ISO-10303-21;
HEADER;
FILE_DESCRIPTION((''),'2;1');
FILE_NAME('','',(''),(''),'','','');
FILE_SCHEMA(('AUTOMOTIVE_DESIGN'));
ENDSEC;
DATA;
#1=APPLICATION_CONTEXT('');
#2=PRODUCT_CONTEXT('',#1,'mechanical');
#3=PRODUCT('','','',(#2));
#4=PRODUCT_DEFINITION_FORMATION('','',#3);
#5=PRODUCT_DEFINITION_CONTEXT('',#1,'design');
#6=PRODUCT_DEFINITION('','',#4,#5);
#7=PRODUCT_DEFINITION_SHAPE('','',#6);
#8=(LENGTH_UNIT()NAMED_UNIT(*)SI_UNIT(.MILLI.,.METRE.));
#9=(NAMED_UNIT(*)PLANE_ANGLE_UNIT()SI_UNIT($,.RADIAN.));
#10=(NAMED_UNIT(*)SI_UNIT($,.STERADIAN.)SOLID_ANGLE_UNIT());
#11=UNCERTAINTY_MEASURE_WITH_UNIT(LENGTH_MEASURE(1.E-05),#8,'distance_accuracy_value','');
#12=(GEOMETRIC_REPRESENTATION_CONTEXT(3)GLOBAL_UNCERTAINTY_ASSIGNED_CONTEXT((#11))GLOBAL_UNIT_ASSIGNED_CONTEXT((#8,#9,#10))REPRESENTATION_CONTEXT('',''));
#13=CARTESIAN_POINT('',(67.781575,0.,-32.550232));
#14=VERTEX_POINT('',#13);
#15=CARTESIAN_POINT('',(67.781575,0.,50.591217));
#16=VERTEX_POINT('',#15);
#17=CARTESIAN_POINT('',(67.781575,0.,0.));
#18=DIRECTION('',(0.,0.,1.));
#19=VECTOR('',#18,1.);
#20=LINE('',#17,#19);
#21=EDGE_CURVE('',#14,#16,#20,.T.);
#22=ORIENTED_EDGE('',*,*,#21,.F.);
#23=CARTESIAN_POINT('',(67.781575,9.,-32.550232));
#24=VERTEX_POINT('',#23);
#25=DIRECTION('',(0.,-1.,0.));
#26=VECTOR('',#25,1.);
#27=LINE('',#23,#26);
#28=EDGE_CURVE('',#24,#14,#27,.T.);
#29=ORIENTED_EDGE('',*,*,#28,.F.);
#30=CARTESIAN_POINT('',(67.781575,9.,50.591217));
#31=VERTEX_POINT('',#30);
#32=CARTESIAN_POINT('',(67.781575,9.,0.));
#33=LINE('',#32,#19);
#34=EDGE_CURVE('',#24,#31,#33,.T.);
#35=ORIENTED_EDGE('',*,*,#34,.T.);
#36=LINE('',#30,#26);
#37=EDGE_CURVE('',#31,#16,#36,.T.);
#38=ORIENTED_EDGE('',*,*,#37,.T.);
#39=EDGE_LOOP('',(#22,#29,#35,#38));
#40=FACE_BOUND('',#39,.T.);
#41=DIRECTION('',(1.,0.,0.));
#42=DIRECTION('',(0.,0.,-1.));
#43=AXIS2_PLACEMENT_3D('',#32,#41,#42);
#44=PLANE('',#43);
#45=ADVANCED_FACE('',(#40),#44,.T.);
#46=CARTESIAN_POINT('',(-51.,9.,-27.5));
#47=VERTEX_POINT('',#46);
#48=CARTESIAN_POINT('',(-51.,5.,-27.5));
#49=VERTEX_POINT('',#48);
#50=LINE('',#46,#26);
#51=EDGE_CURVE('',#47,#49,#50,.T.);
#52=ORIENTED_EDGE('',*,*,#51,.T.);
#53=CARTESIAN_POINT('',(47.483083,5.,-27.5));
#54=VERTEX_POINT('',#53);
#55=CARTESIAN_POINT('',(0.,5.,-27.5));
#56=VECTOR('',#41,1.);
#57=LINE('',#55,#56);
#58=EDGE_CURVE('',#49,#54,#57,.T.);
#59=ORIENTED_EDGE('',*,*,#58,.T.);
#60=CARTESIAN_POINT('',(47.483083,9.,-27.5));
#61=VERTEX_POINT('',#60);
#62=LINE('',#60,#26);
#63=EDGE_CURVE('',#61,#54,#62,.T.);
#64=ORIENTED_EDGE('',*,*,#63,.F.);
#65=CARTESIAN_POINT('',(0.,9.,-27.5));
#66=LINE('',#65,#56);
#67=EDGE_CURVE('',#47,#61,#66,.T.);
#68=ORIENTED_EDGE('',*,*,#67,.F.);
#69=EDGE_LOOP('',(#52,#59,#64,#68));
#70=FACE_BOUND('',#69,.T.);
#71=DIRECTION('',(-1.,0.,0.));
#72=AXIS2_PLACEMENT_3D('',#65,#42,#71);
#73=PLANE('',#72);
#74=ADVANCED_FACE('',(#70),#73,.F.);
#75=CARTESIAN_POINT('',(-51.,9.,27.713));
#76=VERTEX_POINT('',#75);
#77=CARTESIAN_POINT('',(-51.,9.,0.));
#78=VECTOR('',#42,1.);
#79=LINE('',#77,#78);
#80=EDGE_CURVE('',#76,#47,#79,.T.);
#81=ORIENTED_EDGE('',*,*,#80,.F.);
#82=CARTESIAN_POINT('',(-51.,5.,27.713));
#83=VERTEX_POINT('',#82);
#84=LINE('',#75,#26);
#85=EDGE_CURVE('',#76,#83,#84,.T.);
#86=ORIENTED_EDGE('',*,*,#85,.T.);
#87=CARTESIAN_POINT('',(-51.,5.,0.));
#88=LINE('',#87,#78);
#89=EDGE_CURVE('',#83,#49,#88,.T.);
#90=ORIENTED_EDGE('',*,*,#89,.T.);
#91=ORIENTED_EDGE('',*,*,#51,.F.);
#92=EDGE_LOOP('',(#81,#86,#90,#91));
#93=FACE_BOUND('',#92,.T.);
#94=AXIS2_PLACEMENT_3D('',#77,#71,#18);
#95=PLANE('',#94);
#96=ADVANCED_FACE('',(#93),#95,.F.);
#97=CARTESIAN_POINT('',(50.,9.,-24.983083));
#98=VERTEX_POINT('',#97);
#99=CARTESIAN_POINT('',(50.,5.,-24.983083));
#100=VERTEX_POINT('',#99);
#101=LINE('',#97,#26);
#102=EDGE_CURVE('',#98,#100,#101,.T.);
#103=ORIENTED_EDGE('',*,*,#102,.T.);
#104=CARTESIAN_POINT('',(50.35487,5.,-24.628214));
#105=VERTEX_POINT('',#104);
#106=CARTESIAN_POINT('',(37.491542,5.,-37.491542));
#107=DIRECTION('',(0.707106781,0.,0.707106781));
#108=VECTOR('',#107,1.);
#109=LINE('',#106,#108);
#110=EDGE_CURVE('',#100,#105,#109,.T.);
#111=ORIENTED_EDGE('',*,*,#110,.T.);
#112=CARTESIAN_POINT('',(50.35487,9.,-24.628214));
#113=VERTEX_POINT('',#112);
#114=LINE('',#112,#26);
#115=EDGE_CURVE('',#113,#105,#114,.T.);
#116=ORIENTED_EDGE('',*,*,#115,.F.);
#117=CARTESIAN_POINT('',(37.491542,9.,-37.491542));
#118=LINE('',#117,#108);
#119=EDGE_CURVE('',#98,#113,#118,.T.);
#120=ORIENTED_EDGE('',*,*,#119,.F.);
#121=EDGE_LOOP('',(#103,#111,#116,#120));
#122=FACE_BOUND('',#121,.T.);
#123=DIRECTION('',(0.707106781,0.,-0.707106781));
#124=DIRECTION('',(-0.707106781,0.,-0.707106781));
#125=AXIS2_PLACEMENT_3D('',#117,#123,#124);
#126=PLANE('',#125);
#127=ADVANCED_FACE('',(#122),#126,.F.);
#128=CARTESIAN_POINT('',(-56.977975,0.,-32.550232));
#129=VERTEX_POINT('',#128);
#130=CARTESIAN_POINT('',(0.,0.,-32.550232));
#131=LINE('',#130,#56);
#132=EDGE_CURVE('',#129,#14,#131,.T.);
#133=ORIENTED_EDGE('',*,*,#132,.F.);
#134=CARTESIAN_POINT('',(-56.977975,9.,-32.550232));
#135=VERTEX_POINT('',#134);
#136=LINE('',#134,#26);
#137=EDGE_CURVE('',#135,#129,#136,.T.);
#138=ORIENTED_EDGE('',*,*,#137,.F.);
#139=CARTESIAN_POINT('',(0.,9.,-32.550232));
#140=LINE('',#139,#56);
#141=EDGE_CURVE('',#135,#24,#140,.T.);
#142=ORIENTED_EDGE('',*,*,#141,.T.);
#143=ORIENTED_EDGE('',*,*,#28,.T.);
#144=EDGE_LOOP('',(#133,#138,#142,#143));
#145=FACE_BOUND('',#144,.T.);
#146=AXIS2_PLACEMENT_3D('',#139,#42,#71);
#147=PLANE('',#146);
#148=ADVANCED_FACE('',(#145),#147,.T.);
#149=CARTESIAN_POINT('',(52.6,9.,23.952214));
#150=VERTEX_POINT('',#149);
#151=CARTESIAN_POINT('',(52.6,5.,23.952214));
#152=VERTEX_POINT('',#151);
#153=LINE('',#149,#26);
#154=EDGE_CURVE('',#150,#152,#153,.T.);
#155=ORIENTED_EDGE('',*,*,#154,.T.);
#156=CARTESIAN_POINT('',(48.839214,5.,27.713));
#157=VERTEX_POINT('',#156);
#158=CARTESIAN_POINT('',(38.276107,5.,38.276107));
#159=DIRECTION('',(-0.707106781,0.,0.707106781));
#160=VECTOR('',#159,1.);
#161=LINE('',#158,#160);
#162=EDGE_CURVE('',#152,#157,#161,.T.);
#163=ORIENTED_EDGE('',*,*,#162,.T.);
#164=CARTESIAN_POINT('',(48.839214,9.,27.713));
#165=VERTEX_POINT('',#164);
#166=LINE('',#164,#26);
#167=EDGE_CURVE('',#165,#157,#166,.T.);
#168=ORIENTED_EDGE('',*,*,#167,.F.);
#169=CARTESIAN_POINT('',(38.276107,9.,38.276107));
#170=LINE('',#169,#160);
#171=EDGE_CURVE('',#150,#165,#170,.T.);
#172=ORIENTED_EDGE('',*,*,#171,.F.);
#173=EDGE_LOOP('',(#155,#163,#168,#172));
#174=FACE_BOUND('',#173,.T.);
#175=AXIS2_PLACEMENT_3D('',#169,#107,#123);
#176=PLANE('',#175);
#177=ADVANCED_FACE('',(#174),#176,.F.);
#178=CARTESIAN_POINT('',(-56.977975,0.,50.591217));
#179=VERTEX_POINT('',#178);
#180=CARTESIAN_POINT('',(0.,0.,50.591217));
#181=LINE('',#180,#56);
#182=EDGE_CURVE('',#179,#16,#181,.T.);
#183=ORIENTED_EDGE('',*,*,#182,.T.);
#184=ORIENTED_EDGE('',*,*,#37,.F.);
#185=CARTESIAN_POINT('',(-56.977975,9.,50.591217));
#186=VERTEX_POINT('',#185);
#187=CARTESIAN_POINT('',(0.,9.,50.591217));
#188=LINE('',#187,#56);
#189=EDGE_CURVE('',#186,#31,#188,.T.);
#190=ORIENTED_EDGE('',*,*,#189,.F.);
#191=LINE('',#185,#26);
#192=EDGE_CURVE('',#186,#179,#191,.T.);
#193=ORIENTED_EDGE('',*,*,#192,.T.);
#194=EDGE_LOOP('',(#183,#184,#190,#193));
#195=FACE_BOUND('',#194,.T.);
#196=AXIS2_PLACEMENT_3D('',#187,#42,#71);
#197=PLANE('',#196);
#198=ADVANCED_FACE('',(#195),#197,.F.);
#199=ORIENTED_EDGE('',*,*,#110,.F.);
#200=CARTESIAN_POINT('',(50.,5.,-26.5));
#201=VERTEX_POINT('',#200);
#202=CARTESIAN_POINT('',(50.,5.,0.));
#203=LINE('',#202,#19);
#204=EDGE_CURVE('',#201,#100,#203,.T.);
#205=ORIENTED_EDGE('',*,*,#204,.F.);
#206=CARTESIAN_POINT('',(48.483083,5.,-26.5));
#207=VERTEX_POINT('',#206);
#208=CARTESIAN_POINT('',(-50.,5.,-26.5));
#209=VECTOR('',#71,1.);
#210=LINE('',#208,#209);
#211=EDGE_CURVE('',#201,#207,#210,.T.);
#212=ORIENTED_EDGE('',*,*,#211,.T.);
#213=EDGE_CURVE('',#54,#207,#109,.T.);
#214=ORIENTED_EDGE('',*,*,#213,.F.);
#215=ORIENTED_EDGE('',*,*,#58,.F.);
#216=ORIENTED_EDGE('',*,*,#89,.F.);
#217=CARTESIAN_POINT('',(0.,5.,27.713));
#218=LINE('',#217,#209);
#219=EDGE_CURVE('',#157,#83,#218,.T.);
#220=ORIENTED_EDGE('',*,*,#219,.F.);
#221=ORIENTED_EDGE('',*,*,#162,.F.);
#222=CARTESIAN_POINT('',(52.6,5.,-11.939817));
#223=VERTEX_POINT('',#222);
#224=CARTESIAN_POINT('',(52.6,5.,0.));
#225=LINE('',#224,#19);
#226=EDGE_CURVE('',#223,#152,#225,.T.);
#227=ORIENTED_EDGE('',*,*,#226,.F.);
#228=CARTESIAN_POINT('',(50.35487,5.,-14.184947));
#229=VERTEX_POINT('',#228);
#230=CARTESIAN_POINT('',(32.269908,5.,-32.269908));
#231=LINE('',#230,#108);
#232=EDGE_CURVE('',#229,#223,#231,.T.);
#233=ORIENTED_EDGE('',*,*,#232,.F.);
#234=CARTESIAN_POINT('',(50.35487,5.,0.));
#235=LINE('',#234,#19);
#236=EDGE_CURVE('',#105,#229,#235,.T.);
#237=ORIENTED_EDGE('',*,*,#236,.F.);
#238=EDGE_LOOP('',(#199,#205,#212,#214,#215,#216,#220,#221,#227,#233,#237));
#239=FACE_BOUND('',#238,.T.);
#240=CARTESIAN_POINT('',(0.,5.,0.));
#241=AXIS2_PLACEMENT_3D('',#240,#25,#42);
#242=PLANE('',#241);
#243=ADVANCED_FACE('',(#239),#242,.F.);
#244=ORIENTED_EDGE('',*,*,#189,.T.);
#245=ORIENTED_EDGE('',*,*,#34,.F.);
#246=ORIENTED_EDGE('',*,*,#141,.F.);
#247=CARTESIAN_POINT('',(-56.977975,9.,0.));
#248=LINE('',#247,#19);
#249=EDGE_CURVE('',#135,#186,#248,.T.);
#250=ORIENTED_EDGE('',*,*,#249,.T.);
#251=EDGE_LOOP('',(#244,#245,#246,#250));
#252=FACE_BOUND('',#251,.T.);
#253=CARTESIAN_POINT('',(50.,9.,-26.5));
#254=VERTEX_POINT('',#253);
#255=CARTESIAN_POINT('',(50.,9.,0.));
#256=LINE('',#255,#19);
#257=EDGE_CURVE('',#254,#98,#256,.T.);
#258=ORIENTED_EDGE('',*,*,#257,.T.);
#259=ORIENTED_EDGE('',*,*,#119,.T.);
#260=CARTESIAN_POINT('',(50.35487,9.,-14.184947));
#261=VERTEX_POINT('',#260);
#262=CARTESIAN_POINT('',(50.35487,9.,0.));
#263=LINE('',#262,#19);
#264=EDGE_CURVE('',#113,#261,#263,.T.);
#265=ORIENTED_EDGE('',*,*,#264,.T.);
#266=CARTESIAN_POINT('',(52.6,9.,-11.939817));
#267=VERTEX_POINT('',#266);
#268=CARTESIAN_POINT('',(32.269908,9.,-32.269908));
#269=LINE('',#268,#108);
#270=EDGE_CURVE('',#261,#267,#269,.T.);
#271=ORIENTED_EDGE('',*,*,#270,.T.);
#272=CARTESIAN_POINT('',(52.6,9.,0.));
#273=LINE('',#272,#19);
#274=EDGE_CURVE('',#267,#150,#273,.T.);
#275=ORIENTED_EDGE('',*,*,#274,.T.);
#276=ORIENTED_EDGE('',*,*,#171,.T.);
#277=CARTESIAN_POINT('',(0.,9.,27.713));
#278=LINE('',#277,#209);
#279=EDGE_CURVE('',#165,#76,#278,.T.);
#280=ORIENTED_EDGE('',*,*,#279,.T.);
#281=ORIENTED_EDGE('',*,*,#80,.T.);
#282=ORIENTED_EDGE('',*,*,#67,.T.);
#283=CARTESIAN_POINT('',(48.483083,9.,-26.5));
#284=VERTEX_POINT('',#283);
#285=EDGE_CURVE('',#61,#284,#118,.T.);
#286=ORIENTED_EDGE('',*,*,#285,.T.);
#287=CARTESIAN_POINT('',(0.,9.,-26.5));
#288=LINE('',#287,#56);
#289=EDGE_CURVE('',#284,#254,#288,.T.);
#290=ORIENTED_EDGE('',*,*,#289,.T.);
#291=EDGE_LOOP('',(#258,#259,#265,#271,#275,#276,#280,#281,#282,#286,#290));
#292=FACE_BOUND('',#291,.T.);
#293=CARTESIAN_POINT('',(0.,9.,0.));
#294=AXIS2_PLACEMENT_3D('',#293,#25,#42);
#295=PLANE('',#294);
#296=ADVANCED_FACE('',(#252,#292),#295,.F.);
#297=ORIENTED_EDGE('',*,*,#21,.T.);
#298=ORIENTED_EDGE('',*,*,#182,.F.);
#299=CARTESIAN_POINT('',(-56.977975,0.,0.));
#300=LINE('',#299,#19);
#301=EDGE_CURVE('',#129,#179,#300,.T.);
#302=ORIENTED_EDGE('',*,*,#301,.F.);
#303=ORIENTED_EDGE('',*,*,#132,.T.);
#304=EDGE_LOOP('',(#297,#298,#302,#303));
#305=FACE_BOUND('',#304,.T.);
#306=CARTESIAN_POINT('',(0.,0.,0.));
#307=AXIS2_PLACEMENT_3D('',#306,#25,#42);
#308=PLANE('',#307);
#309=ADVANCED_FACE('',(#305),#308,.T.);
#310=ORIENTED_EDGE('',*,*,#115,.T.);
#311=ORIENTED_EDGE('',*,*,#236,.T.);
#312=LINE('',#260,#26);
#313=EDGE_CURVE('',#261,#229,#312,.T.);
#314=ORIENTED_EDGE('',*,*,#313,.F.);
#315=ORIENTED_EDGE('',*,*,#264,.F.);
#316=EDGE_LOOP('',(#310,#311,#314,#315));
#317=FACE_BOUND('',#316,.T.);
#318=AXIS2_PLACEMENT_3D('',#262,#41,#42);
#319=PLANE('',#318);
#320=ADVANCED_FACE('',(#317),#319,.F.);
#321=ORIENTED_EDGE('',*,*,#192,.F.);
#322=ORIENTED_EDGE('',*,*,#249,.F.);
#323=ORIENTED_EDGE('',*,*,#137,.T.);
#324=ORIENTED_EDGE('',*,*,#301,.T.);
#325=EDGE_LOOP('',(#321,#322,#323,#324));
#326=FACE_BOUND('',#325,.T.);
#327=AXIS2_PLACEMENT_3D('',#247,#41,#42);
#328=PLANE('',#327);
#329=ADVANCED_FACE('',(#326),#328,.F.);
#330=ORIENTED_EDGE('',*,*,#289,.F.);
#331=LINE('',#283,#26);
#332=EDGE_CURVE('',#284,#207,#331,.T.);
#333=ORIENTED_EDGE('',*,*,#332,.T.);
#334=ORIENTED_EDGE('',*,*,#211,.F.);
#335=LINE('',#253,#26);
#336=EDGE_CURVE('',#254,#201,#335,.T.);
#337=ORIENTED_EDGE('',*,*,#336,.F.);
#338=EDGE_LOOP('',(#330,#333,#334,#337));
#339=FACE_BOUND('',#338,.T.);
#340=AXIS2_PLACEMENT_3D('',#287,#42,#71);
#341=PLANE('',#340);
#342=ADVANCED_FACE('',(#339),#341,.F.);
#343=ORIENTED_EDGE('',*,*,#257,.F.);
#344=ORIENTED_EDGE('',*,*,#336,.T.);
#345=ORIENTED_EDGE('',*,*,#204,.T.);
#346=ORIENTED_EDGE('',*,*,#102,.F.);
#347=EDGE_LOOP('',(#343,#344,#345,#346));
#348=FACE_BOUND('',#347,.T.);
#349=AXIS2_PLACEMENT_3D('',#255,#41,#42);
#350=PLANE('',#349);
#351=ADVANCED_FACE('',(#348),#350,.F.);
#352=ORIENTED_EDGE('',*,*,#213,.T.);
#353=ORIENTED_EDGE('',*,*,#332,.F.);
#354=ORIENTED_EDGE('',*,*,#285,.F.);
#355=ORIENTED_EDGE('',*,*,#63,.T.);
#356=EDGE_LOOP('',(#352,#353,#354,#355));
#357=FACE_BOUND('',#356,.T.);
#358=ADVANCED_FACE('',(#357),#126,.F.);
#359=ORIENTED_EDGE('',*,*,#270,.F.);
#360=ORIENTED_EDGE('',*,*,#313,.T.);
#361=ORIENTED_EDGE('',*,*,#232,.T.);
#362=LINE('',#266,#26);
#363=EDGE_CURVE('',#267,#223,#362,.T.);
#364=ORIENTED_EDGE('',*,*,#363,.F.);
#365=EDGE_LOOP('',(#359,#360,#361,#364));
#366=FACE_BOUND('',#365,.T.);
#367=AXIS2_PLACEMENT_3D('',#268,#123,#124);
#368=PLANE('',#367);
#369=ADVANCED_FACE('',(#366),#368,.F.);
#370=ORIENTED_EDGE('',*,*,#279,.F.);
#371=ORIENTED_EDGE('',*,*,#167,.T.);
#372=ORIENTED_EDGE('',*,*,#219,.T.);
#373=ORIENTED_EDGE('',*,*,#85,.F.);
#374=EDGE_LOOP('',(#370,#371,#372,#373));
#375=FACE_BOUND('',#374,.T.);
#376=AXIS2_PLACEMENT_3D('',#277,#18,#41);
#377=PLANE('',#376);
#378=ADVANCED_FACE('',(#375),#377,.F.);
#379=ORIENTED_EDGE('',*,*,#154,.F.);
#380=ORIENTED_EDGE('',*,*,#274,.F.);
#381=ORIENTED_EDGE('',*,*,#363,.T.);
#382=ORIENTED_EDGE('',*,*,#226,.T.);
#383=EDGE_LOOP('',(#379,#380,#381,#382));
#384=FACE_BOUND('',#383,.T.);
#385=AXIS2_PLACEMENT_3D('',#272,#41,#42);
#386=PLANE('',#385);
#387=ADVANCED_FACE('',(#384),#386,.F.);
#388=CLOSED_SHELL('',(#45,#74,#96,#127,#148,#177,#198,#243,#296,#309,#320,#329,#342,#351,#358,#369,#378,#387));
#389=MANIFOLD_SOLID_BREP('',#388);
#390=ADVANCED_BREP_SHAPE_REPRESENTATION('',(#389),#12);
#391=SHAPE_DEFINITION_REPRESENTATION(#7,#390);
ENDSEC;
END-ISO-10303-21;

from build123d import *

# Parameters (mm, degrees)
SKETCH1_W           = 100
SKETCH1_H           = 53
BOSS_EXTRUDE1_DEPTH = 5
SKETCH2_R           = 1.5875
CUT_EXTRUDE1_DEPTH  = 57.808890149
SKETCH3_W           = 124.759549129
SKETCH3_H           = 83.141448462
BOSS_EXTRUDE2_DEPTH = 9
SKETCH4_W           = 124.759549129
SKETCH4_H           = 83.141448462
BOSS_EXTRUDE3_DEPTH = 5


with BuildPart() as part:
    # Sketch1 → Boss-Extrude1 (new body)
    with BuildSketch(Plane(origin=(0, 0, 0), x_dir=(1, 0, 0), z_dir=(0, 1, 0))):
        Rectangle(SKETCH1_W, SKETCH1_H)
    extrude(amount=BOSS_EXTRUDE1_DEPTH)

    # Sketch2 → Cut-Extrude1 (cut, through all)
    with BuildSketch(Plane.XZ):
        with Locations(Location((46.52, 24.173, 0), (0, 0, 270))):
            Circle(SKETCH2_R)
        with Locations(Location((40.17, -24.087, 0), (0, 0, 270))):
            Circle(SKETCH2_R)
        with Locations(Location((-34.76, -24.087, 0), (0, 0, 270))):
            Circle(SKETCH2_R)
        with Locations(Location((-36.03, 24.173, 0), (0, 0, 270))):
            Circle(SKETCH2_R)
    extrude(amount=-CUT_EXTRUDE1_DEPTH, mode=Mode.SUBTRACT)

    # Sketch3 → Boss-Extrude2 (add)
    with BuildSketch(Plane.XZ):
        with Locations((5.40179994, 9.020492383)):
            Rectangle(SKETCH3_W, SKETCH3_H)
        Polygon((52.6, -11.939816527), (50.354869769, -14.184946758), (50.354869769, -24.628213562), (50, -24.983083332), (50, -26.5), (48.483083332, -26.5), (47.483083332, -27.5), (-51, -27.5), (-51, 27.713), (48.839213562, 27.713), (52.6, 23.952213562), align=None, mode=Mode.SUBTRACT)
    extrude(amount=-BOSS_EXTRUDE2_DEPTH)

    # Sketch4 → Boss-Extrude3 (add)
    with BuildSketch(Plane.XZ):
        with Locations((5.40179994, 9.020492383)):
            Rectangle(SKETCH4_W, SKETCH4_H)
    extrude(amount=-BOSS_EXTRUDE3_DEPTH)


solid = part.part
